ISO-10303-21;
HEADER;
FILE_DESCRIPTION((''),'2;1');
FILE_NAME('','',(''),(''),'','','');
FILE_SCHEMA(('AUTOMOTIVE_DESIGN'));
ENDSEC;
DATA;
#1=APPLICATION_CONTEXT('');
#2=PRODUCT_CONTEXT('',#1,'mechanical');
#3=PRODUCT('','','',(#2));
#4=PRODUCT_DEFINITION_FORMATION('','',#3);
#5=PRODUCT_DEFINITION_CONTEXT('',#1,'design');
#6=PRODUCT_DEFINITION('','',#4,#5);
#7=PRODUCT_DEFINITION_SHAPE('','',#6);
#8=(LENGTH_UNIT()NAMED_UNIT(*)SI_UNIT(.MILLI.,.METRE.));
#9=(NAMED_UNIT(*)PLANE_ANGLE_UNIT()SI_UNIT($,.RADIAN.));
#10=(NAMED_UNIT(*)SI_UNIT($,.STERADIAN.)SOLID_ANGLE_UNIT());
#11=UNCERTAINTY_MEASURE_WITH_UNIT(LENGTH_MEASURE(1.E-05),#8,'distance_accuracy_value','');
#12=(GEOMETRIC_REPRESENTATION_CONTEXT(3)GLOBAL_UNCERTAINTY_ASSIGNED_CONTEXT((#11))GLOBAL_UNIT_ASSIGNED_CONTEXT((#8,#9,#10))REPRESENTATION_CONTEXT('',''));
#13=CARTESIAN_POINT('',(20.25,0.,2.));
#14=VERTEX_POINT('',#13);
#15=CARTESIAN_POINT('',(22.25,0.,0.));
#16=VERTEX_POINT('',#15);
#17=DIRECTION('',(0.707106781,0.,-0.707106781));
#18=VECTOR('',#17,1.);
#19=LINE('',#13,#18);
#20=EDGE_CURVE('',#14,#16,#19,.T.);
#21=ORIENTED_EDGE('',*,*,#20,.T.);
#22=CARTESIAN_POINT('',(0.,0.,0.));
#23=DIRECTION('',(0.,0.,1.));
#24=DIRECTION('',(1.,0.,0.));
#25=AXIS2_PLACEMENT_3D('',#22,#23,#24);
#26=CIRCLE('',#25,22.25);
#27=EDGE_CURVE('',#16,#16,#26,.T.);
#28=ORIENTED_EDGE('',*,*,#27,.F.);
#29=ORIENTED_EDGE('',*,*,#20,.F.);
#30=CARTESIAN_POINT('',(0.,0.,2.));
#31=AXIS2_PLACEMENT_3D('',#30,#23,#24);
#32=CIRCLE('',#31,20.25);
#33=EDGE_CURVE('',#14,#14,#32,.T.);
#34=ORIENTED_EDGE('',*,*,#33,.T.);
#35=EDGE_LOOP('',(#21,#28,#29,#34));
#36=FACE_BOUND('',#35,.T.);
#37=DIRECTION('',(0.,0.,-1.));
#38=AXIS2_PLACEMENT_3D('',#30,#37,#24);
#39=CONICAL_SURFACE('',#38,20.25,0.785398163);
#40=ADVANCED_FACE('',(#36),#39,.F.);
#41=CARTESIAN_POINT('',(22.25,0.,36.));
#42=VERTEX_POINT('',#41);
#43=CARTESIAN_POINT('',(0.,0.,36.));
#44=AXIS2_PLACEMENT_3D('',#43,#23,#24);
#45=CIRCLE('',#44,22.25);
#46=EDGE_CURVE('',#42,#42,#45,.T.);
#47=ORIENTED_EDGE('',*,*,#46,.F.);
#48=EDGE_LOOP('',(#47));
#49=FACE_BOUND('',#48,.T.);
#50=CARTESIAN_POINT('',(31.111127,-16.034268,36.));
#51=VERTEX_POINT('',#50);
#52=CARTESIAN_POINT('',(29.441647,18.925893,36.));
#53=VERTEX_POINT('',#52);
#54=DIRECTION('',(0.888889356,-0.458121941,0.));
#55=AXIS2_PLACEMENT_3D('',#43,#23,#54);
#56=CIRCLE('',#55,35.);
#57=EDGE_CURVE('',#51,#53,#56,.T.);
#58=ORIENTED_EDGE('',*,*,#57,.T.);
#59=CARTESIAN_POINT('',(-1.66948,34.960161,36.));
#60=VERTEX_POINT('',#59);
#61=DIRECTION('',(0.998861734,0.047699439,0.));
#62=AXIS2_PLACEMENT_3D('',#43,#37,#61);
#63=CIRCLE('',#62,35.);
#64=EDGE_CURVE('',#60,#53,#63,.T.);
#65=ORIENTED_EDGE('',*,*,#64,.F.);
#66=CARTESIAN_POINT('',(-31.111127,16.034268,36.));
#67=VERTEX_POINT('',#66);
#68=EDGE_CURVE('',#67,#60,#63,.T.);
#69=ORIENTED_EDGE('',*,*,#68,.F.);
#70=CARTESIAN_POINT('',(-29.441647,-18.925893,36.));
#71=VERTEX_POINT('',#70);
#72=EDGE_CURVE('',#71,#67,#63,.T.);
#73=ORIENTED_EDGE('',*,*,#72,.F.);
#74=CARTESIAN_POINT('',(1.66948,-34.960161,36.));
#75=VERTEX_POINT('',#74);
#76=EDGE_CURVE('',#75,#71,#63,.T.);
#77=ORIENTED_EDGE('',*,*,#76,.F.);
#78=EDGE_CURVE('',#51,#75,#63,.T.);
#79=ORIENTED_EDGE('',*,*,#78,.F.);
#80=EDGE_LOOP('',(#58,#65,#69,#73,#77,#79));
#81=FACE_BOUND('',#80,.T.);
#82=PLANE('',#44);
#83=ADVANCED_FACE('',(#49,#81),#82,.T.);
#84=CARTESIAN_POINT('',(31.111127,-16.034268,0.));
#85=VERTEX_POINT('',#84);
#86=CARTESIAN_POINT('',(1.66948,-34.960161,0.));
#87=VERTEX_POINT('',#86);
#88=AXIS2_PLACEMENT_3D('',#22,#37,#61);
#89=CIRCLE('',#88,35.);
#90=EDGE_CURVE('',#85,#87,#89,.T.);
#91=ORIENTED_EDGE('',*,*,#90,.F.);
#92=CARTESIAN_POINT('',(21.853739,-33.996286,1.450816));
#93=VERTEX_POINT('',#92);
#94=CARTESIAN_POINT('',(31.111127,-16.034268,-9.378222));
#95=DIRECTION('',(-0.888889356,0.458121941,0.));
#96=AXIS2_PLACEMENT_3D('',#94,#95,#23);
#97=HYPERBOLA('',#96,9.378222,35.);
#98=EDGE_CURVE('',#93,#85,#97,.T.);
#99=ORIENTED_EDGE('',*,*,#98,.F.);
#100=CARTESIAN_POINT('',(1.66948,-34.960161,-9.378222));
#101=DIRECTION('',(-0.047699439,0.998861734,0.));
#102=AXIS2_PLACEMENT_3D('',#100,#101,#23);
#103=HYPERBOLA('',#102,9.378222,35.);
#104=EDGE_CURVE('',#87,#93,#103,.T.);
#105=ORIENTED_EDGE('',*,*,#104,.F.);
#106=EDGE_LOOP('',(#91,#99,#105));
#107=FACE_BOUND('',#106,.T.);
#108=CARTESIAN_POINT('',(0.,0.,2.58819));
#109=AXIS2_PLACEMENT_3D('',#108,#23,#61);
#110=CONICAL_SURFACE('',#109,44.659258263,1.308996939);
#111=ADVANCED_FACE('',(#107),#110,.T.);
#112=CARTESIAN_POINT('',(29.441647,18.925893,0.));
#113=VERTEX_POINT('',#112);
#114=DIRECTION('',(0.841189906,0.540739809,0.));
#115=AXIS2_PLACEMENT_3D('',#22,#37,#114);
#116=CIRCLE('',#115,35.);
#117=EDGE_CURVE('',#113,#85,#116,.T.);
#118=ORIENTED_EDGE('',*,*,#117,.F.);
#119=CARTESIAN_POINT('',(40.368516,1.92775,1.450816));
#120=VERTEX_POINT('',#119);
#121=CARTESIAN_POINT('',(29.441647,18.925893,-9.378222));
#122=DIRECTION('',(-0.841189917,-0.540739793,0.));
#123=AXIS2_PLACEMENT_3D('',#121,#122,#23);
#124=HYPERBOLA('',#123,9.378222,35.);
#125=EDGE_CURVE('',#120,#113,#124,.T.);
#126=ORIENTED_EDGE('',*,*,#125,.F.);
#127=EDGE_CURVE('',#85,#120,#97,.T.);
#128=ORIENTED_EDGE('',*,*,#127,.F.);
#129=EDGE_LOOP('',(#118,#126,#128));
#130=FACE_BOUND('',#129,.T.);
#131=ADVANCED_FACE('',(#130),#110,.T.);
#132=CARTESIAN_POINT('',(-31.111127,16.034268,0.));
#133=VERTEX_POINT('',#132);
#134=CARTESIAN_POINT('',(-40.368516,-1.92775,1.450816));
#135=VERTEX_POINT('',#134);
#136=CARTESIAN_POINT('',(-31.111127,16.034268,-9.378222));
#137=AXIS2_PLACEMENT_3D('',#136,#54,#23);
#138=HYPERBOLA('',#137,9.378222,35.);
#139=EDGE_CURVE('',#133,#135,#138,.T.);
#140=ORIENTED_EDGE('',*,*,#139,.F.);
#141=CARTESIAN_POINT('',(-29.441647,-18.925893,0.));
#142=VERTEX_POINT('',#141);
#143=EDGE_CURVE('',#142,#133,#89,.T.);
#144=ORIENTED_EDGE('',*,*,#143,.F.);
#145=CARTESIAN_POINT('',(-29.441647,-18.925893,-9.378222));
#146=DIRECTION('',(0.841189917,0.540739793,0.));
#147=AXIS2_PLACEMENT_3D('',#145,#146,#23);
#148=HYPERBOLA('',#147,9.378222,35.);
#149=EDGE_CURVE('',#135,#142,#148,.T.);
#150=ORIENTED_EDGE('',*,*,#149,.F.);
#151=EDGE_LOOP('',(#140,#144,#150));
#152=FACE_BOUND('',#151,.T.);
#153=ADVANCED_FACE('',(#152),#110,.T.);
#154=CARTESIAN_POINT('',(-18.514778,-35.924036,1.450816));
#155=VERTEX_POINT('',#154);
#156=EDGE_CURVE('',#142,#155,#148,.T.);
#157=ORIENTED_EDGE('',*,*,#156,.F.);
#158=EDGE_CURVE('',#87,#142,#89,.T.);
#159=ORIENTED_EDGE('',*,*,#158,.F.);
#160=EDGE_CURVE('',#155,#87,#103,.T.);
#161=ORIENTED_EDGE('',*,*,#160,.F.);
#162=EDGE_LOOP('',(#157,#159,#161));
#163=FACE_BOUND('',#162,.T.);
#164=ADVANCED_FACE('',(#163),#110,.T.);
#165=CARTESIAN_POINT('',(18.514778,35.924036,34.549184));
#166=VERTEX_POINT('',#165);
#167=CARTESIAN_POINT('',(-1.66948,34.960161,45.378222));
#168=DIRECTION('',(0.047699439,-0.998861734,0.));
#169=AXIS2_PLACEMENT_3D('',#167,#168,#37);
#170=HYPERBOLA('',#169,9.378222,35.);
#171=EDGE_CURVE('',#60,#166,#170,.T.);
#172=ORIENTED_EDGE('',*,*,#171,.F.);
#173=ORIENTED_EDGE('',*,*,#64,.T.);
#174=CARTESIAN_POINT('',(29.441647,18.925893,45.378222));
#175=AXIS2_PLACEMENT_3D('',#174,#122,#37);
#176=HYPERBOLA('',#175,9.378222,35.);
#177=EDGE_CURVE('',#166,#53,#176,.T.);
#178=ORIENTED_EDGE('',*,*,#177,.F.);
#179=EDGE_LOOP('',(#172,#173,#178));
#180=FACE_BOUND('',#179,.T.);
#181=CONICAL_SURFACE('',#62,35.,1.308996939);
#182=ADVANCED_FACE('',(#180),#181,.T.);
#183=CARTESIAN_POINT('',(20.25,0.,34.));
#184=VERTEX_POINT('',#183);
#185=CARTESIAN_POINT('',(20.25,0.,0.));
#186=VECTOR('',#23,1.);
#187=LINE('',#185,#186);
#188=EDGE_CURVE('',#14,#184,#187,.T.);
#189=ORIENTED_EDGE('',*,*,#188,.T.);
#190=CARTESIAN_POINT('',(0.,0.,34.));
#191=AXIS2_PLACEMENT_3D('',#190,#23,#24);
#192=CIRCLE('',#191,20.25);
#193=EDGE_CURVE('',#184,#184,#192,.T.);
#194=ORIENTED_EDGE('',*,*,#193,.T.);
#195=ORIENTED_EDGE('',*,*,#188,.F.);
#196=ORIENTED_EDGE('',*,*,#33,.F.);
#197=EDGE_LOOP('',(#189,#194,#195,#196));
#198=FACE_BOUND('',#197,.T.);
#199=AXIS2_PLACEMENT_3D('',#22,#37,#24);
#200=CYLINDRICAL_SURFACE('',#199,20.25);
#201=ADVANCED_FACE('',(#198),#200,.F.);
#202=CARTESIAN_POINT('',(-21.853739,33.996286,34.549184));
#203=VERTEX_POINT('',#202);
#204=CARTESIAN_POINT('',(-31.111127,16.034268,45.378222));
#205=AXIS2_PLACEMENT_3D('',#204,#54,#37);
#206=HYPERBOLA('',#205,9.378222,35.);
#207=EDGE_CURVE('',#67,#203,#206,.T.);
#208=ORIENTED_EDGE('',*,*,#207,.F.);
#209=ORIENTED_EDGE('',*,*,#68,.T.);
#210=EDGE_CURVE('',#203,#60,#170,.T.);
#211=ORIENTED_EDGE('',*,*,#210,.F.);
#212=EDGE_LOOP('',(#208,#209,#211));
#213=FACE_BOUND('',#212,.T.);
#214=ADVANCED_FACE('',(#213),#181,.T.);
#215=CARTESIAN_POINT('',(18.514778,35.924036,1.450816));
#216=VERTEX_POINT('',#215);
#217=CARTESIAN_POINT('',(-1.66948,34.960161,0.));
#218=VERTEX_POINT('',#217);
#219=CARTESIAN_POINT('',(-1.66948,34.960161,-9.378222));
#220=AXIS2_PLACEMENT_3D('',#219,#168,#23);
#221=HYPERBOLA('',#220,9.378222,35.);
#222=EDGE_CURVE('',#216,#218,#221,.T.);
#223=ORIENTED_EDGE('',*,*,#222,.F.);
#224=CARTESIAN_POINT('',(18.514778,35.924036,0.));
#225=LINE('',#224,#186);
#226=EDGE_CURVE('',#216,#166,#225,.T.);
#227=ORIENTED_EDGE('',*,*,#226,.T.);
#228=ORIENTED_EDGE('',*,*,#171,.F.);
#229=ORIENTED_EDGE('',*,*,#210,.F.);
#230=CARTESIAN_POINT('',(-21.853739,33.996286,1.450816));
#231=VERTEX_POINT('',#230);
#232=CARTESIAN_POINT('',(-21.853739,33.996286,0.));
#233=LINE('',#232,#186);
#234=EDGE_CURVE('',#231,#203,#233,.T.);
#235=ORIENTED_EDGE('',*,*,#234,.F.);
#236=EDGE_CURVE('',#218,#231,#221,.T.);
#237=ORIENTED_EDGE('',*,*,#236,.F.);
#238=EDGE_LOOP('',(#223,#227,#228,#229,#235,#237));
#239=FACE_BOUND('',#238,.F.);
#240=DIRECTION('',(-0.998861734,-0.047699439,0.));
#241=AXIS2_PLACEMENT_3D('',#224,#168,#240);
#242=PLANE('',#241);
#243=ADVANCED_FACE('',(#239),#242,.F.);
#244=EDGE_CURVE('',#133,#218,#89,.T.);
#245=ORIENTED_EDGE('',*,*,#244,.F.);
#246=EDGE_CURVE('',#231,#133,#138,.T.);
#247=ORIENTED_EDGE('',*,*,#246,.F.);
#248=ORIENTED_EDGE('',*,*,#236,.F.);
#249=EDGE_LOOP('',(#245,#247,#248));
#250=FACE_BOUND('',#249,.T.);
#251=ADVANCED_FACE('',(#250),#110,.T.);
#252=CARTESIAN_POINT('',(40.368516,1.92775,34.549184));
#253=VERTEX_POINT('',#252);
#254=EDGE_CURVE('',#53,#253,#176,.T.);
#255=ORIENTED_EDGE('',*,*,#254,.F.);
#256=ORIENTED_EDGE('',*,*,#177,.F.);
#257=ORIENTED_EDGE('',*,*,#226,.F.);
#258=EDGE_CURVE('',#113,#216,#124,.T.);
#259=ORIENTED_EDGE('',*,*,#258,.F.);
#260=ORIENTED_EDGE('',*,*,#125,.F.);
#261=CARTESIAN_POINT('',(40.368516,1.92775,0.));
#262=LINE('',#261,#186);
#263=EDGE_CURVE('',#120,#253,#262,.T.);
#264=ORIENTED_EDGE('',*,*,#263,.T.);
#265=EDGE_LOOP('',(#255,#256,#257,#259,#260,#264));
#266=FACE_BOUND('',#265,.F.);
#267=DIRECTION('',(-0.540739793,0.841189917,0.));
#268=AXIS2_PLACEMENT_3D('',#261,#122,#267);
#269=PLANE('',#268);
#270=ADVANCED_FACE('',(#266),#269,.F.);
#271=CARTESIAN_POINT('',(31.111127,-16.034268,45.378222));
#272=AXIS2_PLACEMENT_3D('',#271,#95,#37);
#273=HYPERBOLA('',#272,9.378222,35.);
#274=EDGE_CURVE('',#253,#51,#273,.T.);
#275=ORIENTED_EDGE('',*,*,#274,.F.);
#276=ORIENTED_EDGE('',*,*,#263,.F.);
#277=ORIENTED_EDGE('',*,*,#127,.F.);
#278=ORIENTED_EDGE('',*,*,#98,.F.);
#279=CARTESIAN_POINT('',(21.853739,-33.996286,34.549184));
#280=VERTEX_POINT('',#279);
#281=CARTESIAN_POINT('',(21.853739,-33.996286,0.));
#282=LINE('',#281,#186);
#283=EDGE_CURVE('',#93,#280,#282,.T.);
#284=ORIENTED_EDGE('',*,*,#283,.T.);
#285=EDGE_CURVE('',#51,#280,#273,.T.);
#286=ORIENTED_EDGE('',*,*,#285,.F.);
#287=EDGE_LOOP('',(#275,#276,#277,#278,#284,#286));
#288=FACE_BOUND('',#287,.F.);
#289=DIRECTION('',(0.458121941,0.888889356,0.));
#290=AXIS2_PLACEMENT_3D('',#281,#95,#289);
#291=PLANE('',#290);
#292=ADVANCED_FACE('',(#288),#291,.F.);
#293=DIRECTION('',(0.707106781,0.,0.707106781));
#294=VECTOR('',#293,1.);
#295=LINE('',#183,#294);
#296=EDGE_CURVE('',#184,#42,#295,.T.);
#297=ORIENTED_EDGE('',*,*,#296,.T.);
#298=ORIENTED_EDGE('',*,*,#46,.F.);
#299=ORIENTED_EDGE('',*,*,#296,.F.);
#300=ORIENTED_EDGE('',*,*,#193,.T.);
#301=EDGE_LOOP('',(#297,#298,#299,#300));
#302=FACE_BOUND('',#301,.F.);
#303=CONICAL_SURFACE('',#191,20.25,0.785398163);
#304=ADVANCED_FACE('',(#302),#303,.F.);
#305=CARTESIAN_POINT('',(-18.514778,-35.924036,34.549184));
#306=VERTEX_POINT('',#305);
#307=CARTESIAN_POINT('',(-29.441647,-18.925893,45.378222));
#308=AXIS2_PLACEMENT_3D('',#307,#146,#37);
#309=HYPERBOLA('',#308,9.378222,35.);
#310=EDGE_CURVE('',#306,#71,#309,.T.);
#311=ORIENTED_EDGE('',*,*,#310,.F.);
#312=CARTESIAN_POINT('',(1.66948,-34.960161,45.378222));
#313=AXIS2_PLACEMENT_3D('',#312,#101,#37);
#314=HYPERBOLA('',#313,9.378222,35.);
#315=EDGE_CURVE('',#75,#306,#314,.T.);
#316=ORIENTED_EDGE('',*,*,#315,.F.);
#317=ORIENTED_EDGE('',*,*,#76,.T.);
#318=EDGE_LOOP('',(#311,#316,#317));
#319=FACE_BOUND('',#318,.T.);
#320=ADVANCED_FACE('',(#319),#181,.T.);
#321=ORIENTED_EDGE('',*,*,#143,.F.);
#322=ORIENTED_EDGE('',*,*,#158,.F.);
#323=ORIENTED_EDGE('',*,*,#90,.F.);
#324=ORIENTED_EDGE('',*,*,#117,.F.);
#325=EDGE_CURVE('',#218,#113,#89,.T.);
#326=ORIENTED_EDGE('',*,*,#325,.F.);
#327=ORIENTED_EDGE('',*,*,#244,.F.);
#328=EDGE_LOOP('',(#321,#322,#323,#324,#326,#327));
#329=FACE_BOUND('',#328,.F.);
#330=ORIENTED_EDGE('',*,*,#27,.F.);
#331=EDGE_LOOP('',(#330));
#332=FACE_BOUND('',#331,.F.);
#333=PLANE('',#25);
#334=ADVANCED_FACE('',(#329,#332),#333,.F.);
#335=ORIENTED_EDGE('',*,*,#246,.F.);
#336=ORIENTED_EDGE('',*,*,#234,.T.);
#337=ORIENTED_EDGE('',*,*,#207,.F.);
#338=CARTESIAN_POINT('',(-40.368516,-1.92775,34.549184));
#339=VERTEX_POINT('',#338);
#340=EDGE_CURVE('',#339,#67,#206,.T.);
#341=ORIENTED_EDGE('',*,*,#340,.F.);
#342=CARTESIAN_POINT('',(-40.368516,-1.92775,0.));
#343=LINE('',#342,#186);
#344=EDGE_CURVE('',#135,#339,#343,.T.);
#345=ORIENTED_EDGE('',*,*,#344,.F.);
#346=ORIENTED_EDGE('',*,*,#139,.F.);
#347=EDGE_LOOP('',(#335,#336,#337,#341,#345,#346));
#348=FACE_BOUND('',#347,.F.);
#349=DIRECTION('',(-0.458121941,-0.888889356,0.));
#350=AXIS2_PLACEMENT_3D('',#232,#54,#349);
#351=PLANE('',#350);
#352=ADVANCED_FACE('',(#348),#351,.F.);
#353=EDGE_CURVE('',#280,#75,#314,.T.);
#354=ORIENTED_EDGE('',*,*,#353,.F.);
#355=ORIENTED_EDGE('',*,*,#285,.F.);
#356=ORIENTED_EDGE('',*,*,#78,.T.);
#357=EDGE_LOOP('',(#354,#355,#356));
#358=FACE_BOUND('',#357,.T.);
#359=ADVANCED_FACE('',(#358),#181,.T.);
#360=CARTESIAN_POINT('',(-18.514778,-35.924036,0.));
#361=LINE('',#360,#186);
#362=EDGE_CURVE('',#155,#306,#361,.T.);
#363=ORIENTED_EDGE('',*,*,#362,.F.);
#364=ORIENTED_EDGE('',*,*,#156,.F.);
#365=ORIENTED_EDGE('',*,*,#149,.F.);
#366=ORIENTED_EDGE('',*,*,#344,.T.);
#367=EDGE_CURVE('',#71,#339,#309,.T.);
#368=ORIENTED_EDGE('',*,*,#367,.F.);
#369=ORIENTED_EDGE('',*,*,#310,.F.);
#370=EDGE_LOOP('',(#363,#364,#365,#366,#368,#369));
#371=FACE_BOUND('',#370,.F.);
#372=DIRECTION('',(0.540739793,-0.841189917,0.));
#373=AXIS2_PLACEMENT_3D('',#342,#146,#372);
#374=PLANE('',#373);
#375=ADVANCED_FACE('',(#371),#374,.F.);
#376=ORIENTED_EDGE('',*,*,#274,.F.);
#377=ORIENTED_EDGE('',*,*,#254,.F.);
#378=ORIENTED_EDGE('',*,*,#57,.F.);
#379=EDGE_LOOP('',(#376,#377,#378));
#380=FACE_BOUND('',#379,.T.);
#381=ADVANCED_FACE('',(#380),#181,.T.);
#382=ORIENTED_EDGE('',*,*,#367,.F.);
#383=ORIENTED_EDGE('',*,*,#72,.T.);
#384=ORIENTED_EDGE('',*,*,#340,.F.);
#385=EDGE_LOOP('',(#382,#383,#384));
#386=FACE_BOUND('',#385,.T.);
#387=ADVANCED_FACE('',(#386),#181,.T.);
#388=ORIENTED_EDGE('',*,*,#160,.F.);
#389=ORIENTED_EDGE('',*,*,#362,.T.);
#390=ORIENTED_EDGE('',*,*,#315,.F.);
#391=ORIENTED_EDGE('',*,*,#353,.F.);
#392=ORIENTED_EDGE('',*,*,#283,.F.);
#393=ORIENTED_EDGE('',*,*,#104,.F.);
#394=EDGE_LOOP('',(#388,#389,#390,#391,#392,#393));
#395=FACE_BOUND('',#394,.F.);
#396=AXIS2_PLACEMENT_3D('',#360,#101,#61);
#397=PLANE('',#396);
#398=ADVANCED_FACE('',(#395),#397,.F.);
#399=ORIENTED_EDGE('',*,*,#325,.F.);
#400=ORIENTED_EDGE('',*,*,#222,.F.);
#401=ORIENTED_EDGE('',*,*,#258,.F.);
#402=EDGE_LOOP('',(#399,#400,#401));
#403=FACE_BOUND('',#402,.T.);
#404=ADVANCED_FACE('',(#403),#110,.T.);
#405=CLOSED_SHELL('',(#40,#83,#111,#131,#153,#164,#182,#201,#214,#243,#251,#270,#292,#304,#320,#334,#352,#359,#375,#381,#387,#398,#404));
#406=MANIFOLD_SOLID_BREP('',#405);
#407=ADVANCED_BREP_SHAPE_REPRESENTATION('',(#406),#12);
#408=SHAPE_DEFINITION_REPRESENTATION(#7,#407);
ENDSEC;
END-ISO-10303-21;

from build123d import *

# Parameters (mm, degrees)
F0_R     = 20.25
F1_DEPTH = 36
F2_SIZE  = 2


with BuildPart() as f1:
    # F0 (on Top) → F1 (new body)
    with BuildSketch(Plane.XY):
        Polygon((21.8537385337, -33.9962857594), (40.3685163688, 1.9277498582), (18.5147778351, 35.9240356175), (-21.8537385337, 33.9962857594), (-40.3685163688, -1.9277498582), (-18.5147778351, -35.9240356175), align=None)
        Circle(F0_R, mode=Mode.SUBTRACT)
    extrude(amount=F1_DEPTH)

    # F2
    f2_edges = [f1.edges().sort_by_distance(p)[0] for p in [
        (-20.25, 0, 36),
        (-20.25, 0, 0),
    ]]
    chamfer(f2_edges, length=F2_SIZE)

    # F5 (on 3pt) → F6 (revolve, cut)
    with BuildSketch(Plane(origin=(0, 0, 0), x_dir=(0.998861734, 0.0476994386, 0), z_dir=(0.0476994386, -0.998861734, 0))):
        Polygon((35, 37.1090732515), (35, 36), (44.6592582629, 33.411809549), (44.6592582629, 39.6752795403), align=None)
        Polygon((35, -1.1090732515), (44.6592582629, -3.6752795403), (44.6592582629, 2.588190451), (35, 0), align=None)
    revolve(axis=Axis((0, 0, 0), (0, 0, -1)), mode=Mode.SUBTRACT)


solid = f1.part
